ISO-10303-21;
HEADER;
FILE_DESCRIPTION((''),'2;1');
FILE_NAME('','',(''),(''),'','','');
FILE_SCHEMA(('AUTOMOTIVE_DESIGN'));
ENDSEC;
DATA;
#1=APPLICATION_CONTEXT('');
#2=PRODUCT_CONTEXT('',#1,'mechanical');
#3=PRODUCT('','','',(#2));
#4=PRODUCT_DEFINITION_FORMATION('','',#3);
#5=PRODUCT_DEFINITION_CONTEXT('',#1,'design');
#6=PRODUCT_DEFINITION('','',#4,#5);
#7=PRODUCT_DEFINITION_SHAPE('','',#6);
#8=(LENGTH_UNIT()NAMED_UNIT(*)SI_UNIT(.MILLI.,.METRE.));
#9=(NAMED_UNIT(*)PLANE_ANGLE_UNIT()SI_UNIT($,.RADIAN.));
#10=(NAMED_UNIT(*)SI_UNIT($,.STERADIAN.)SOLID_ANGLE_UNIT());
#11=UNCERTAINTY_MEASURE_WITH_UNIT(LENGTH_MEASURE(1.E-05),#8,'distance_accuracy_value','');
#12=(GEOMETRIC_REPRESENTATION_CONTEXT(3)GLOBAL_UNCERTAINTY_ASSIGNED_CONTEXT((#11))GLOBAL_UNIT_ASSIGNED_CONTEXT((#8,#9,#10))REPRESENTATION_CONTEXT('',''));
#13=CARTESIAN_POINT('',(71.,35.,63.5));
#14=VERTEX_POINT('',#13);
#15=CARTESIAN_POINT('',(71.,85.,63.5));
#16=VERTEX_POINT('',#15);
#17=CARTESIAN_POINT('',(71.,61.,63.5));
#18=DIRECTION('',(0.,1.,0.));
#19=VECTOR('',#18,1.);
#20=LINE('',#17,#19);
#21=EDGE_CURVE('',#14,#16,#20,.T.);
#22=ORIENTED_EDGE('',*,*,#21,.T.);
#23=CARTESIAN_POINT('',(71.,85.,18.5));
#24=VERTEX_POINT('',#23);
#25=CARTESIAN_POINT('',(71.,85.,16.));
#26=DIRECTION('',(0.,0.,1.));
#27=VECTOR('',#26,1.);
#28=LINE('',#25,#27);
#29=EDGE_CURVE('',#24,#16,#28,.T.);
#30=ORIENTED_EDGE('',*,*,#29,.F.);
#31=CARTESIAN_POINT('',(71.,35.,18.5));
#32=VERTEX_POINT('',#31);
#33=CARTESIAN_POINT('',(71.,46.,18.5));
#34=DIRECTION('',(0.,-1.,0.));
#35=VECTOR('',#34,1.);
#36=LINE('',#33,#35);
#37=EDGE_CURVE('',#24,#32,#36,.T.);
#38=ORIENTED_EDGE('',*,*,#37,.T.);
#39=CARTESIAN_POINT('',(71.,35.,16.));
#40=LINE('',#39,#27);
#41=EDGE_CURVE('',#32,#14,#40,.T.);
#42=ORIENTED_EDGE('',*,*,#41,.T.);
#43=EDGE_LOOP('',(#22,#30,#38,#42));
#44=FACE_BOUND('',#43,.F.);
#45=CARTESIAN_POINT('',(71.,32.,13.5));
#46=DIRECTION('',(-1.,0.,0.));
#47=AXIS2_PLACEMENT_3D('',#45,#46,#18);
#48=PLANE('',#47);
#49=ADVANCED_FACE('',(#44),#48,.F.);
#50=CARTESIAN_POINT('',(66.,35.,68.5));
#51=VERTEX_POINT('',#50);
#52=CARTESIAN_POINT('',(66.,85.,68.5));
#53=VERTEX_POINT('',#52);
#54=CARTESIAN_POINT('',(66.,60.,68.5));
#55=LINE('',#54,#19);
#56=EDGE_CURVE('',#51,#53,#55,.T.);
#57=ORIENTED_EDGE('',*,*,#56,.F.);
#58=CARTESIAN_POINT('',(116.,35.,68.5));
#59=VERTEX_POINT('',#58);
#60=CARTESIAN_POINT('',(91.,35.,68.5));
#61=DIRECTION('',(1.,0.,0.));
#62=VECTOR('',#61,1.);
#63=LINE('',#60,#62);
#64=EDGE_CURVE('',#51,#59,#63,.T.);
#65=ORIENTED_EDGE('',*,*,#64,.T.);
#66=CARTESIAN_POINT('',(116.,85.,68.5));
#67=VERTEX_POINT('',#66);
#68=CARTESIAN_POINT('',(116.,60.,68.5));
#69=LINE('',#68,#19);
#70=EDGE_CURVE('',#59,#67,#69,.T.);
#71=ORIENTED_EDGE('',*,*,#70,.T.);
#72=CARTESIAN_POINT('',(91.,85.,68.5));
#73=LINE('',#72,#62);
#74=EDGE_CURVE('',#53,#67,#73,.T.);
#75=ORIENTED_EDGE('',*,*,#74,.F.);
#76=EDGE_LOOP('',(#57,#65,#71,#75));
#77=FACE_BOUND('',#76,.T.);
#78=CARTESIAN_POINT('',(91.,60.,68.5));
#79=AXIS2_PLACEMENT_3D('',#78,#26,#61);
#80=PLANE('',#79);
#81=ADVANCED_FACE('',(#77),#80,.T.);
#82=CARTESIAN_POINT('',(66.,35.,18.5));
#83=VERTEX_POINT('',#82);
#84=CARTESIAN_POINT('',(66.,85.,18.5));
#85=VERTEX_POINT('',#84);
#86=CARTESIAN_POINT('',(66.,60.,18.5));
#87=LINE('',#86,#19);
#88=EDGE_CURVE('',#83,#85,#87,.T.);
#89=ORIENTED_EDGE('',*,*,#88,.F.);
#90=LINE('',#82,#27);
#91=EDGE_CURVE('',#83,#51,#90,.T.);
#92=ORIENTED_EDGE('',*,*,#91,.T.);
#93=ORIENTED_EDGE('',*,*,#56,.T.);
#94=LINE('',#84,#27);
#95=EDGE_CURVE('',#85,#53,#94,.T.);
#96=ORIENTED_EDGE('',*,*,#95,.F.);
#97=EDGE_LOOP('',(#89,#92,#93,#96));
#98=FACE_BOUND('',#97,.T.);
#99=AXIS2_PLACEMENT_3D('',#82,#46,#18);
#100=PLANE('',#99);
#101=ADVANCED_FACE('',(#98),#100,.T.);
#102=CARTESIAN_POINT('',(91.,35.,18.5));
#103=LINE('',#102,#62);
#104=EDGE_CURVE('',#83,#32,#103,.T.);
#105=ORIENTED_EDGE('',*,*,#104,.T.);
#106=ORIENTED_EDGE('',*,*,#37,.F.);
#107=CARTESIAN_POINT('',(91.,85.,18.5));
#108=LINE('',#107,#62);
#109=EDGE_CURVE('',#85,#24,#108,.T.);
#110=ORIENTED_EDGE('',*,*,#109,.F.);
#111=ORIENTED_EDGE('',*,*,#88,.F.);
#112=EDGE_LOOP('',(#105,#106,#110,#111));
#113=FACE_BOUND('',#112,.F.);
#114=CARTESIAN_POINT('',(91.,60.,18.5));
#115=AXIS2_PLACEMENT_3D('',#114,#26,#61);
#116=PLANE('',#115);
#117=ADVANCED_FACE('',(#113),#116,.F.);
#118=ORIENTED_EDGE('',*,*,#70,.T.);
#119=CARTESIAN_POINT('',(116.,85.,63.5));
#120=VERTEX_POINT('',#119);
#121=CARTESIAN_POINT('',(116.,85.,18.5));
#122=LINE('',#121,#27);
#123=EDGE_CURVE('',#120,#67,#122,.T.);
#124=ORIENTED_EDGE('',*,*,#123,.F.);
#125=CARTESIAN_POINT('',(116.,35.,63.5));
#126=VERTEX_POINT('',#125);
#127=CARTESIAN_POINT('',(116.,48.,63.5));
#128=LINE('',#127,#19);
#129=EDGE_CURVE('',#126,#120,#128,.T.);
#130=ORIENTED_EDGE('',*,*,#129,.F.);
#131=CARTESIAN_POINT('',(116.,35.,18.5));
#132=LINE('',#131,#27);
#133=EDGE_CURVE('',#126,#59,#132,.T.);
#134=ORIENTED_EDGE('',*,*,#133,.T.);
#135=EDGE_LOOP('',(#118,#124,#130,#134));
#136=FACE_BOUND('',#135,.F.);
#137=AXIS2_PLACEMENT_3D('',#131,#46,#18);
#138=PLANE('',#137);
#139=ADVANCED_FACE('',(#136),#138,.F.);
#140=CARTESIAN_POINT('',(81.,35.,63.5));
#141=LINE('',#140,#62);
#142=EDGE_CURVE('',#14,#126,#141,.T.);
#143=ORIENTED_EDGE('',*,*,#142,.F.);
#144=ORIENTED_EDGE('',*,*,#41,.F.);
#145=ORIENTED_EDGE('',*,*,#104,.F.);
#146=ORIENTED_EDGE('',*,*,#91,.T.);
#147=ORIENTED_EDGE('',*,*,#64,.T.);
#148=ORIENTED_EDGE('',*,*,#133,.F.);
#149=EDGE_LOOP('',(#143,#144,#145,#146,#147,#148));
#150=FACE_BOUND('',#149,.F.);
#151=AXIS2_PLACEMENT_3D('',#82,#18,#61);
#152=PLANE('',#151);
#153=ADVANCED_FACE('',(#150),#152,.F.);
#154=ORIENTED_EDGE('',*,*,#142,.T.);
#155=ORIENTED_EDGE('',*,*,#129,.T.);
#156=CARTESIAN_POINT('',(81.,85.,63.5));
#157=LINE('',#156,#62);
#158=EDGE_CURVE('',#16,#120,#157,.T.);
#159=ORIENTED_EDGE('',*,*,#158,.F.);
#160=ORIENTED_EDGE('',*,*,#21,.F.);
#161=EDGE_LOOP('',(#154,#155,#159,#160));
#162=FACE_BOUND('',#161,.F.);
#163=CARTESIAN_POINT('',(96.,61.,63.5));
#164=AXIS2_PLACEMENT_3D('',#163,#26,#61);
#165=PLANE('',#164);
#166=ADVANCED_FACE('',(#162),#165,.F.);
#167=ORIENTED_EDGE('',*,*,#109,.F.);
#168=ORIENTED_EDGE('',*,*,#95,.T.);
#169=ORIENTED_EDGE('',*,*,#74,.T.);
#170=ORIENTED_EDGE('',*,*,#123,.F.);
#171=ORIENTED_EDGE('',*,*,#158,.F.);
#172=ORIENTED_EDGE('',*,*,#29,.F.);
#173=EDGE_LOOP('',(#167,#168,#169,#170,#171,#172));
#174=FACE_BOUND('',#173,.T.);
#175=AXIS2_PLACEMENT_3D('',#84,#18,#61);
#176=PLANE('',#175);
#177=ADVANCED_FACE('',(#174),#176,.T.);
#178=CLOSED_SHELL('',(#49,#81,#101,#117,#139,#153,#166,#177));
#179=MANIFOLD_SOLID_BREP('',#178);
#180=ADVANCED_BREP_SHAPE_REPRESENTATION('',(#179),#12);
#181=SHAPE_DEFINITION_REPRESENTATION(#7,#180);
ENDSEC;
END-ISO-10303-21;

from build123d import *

# Parameters (mm, degrees)
BOX007_W     = 50
BOX007_H     = 58
BOX007_DEPTH = 50
BOX006_W     = 50
BOX006_H     = 50
BOX006_DEPTH = 50


with BuildPart() as cube002:
    # Box007 → Box007 (new body)
    with BuildSketch(Plane(origin=(5, -3, -5), x_dir=(1, 0, 0), z_dir=(0, 0, 1))):
        with Locations((25, 29)):
            Rectangle(BOX007_W, BOX007_H)
    extrude(amount=BOX007_DEPTH)


with BuildPart() as cut002006:
    # Box006 → Box006 (new body)
    with BuildSketch(Plane.XY):
        with Locations((25, 25)):
            Rectangle(BOX006_W, BOX006_H)
    extrude(amount=BOX006_DEPTH)

    # Cut002006: cut Cube002
    add(cube002.part, mode=Mode.SUBTRACT)


with BuildPart() as cut002006_1:
    # Cut002006 placement: moved
    add(cut002006.part.moved(Location((66, 35, 18.5))))


solid = cut002006_1.part
